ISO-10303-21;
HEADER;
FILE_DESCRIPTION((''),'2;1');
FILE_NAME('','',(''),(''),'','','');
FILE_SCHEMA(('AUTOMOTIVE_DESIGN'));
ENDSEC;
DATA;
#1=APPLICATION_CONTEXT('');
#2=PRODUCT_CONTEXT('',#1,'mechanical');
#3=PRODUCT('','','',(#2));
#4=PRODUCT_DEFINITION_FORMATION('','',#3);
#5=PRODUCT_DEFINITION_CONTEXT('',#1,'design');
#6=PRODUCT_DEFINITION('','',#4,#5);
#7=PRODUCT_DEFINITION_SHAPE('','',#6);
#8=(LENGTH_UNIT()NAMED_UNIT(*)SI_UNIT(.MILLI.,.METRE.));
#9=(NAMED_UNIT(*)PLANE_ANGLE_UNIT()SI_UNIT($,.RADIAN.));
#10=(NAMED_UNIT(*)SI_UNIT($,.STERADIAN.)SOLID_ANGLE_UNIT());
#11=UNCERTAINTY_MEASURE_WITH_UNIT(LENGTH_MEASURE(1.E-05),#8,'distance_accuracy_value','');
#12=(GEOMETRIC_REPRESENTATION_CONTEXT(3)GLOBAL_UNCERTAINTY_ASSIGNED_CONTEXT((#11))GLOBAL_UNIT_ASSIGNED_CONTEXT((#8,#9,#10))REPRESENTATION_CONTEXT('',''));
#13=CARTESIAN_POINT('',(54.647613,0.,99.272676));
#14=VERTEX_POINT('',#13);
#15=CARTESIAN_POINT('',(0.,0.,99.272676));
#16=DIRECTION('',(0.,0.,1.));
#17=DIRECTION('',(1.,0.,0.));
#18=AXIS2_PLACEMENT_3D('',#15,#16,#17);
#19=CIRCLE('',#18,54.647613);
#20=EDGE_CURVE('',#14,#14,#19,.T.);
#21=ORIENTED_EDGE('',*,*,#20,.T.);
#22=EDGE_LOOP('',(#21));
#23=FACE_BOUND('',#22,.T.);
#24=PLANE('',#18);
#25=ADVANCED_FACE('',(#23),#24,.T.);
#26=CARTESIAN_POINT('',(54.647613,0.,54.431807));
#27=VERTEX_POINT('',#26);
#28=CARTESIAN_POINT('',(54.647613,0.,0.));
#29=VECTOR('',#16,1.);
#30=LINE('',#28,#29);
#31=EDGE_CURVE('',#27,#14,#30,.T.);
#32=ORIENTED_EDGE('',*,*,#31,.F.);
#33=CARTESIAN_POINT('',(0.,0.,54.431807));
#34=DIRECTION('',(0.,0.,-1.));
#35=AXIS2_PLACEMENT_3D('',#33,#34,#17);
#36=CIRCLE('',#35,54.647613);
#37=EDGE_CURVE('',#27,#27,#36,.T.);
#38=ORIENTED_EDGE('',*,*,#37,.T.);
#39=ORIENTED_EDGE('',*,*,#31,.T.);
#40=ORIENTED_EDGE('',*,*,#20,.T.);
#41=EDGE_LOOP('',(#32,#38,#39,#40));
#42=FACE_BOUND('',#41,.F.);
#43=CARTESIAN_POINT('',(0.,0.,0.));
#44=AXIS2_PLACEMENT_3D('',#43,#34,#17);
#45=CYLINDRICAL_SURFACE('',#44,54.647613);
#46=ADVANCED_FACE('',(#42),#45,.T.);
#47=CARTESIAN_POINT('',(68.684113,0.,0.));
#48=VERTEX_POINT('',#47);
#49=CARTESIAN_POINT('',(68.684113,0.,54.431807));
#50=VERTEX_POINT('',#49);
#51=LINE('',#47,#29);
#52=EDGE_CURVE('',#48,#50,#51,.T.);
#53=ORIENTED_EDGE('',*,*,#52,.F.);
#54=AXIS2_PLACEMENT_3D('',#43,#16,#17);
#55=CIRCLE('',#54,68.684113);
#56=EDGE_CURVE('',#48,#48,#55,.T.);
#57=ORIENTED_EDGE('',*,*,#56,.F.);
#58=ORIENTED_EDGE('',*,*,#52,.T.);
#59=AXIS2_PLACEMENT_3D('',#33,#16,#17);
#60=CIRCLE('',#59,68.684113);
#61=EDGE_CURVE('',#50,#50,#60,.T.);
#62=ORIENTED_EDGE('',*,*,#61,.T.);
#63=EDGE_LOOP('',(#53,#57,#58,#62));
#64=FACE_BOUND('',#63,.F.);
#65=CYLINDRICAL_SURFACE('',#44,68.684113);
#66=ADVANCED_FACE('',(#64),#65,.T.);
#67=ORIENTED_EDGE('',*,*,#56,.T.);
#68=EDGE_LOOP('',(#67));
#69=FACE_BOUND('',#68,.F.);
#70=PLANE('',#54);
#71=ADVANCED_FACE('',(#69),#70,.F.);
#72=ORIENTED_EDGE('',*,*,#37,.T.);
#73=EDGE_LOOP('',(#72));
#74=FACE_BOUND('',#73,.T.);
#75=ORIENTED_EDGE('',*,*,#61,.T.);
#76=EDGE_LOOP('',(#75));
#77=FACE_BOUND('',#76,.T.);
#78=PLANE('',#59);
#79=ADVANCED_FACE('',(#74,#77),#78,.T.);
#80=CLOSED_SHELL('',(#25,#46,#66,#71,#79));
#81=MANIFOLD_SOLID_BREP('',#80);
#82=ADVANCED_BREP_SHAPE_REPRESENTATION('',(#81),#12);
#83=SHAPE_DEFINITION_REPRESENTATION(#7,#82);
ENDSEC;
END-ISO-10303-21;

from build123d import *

# Parameters (mm, degrees)
F0_R     = 68.684113
F1_DEPTH = 54.431807
F2_R     = 54.647613
F3_DEPTH = 99.272676


with BuildPart() as f1:
    # F0 (on Top) → F1 (new body)
    with BuildSketch(Plane.XY):
        Circle(F0_R)
    extrude(amount=F1_DEPTH)

    # F2 (on face) → F3 (join)
    with BuildSketch(Plane.XY):
        Circle(F2_R)
    extrude(amount=F3_DEPTH)


solid = f1.part
